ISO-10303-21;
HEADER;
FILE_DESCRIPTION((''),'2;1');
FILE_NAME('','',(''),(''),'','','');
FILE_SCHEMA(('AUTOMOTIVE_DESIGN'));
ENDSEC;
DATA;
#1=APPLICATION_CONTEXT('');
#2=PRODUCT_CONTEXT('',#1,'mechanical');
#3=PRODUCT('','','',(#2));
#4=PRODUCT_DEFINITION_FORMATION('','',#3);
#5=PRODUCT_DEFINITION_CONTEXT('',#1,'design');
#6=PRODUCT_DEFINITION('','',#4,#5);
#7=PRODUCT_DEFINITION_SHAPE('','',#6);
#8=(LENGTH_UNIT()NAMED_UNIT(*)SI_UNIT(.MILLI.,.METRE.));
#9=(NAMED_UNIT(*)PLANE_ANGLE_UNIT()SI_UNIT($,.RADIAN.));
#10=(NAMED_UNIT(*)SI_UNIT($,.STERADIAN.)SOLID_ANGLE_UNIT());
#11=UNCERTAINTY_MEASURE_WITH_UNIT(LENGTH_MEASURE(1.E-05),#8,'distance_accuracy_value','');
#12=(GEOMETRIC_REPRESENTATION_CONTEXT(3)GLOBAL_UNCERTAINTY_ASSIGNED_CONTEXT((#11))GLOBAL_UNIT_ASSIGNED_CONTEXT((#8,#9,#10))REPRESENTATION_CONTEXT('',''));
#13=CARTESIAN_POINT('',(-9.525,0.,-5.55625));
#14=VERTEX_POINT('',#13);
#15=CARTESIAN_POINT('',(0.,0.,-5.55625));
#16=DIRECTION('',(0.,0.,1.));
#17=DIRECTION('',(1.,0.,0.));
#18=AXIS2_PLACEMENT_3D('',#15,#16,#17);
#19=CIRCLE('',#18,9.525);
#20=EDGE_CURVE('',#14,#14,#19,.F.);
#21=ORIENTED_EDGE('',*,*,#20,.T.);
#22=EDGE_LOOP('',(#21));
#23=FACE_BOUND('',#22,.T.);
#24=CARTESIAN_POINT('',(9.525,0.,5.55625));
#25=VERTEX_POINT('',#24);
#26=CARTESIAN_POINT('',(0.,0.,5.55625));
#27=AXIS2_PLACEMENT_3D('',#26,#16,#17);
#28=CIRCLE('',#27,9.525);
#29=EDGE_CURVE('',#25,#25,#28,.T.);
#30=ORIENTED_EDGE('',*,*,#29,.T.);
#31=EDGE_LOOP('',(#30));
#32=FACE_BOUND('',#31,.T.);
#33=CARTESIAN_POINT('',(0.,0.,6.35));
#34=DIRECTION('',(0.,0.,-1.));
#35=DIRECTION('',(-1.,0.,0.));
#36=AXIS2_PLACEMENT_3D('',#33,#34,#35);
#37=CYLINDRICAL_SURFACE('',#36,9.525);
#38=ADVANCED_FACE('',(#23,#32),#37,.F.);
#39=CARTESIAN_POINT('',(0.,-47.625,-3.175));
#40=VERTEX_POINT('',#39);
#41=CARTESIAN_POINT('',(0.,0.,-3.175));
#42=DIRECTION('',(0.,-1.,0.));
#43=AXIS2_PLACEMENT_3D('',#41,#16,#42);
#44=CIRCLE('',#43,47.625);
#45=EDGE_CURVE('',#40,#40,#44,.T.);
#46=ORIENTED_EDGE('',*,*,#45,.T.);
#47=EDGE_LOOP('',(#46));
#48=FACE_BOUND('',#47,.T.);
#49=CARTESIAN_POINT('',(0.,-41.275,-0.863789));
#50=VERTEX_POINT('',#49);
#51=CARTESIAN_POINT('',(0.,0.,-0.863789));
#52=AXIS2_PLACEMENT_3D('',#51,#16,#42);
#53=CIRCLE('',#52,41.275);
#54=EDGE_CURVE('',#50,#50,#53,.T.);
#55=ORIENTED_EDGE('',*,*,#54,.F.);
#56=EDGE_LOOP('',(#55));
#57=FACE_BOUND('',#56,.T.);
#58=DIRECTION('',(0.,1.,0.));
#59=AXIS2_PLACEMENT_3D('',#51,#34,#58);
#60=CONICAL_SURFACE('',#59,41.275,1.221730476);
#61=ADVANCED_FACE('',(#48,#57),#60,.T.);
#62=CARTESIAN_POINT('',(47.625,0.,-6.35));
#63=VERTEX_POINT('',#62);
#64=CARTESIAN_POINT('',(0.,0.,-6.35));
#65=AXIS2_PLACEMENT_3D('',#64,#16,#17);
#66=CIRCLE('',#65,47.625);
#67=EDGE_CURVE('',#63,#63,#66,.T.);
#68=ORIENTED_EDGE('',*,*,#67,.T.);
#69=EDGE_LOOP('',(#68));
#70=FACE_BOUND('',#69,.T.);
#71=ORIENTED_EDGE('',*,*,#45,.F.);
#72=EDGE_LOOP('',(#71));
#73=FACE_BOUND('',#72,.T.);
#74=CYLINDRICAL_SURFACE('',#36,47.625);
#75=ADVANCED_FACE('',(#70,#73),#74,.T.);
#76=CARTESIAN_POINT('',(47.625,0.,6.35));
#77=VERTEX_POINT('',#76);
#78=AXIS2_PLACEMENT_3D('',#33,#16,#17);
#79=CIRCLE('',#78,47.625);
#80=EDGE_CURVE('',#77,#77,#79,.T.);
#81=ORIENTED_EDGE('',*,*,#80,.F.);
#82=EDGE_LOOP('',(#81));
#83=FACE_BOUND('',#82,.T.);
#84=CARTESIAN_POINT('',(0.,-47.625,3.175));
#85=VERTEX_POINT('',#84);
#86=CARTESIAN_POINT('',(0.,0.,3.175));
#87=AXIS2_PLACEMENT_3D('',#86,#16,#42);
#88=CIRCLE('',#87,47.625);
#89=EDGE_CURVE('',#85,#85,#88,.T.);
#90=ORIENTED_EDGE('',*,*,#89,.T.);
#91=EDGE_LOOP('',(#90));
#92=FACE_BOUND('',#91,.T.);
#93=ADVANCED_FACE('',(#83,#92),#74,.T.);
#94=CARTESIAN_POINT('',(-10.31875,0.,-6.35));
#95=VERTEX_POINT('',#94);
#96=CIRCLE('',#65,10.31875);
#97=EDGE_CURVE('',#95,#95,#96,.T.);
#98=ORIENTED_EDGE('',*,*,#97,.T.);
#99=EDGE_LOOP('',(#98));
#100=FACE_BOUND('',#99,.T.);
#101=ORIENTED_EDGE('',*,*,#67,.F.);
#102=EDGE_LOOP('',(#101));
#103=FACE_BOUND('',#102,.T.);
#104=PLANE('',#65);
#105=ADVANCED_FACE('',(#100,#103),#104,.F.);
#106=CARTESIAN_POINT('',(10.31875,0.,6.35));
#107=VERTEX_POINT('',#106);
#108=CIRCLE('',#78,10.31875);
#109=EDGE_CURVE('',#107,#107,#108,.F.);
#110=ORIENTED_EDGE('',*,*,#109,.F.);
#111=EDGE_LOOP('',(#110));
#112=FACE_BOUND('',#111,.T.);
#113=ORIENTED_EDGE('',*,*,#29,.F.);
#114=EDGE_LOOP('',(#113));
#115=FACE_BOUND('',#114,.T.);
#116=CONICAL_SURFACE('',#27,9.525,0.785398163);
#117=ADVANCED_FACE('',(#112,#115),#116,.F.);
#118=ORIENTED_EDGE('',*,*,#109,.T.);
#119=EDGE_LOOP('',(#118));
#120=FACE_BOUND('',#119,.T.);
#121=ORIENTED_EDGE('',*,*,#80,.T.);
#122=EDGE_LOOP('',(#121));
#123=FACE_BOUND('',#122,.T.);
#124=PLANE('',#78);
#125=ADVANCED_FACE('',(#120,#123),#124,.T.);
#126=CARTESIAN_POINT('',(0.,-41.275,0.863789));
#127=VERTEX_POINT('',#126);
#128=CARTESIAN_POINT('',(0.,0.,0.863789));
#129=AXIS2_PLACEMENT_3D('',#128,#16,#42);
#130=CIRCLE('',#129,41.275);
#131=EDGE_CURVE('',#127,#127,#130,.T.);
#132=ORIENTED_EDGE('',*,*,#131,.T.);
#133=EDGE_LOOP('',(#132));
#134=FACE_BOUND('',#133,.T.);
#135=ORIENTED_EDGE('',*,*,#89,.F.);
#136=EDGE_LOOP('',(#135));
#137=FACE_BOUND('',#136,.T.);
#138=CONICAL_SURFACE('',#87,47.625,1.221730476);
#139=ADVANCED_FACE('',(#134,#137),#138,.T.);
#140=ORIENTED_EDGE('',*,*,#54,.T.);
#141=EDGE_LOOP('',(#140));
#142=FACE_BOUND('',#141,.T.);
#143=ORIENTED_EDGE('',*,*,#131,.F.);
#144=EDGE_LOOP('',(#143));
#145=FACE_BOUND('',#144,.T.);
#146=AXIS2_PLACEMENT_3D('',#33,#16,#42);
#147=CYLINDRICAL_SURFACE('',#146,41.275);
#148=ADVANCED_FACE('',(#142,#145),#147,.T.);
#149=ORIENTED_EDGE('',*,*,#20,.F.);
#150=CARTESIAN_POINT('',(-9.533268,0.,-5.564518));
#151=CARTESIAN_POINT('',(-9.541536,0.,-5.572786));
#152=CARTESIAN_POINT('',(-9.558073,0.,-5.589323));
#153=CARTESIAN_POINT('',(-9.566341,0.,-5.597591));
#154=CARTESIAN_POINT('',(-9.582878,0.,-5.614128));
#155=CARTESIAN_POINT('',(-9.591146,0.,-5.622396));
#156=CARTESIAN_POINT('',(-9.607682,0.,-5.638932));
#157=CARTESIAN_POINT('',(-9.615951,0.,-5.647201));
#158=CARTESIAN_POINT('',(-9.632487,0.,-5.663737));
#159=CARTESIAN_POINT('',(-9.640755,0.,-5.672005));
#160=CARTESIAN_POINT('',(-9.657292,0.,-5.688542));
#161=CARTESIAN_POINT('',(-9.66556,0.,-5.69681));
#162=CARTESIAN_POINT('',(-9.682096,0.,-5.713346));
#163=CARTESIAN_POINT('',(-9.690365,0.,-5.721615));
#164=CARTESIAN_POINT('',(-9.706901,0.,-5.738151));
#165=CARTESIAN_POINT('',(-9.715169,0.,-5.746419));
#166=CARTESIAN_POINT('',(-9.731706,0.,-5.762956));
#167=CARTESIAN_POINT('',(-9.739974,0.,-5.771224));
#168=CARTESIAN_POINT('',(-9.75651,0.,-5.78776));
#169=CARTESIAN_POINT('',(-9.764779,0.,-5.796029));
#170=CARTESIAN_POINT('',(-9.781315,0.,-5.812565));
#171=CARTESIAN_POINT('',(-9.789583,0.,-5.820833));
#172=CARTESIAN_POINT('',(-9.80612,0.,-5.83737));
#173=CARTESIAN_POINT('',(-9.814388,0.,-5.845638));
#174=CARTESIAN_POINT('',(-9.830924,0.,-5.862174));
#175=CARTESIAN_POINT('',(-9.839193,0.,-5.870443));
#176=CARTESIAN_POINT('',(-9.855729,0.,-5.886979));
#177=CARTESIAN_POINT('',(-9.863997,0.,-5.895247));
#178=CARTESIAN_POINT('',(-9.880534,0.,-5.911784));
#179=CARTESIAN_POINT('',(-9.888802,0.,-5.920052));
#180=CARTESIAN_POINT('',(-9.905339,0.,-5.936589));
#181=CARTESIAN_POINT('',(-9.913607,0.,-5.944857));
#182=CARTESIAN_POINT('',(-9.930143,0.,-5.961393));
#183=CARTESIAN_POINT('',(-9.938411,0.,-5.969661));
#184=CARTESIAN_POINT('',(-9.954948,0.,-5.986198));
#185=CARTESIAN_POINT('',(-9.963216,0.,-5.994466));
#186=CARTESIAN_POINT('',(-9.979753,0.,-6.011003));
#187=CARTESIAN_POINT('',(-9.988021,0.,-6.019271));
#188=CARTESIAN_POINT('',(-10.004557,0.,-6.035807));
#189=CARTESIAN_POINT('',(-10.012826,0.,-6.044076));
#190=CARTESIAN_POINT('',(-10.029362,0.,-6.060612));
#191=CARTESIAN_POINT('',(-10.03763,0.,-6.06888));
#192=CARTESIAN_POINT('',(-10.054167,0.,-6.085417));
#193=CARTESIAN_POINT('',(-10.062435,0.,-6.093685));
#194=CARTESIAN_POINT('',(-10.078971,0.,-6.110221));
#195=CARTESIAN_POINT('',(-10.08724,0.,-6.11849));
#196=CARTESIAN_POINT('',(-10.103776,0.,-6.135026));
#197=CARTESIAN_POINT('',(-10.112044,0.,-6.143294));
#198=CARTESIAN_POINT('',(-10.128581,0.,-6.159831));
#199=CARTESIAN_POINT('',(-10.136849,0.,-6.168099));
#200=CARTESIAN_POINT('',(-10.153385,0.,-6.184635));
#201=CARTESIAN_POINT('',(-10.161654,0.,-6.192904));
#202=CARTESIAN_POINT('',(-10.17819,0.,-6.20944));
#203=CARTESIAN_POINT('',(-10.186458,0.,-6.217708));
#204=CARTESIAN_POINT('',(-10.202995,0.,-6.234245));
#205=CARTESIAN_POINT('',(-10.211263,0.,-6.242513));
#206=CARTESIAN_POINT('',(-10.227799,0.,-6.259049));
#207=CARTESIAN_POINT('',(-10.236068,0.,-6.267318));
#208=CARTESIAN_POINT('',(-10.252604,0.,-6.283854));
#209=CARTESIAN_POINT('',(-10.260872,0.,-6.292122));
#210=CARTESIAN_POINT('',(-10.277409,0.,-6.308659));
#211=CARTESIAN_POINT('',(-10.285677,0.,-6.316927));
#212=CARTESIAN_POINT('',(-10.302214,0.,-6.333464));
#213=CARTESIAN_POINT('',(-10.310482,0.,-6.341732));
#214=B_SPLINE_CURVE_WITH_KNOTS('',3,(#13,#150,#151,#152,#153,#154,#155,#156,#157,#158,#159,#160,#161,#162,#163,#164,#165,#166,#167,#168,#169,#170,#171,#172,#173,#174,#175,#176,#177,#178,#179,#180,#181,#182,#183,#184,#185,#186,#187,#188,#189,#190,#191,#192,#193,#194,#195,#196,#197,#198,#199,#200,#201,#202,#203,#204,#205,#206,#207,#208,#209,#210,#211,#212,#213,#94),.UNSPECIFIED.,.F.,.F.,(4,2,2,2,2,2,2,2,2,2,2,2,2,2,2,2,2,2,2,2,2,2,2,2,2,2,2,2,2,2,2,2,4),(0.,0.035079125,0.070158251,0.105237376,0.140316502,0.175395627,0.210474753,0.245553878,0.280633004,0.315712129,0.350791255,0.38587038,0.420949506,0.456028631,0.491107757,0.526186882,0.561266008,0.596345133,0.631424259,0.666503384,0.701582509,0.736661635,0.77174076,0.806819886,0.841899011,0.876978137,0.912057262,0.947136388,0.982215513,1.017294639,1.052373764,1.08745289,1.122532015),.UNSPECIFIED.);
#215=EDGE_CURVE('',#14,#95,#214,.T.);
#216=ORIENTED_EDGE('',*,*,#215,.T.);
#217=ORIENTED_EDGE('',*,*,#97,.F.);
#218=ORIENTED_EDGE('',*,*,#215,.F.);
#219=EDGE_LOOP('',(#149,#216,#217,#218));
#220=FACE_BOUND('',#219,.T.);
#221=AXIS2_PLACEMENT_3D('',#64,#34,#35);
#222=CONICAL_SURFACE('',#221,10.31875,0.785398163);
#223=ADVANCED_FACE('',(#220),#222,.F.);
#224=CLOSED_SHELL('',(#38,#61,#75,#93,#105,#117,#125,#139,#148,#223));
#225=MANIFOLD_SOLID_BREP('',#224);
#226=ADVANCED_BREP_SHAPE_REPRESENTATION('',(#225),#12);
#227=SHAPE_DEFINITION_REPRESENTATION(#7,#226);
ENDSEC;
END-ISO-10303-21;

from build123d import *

# Parameters (mm, degrees)
SKETCH1_R      = 47.625
SKETCH1_R_2    = 9.525
EXTRUDE1_DEPTH = 6.35
CHAMFER1_SIZE  = 0.79375


with BuildPart() as part:
    # Sketch1 → Extrude1 (new, symmetric)
    with BuildSketch(Plane.XY):
        Circle(SKETCH1_R)
        Circle(SKETCH1_R_2, mode=Mode.SUBTRACT)
    extrude(amount=EXTRUDE1_DEPTH, both=True)

    # Chamfer1
    chamfer1_edges = [part.edges().sort_by_distance(p)[0] for p in [
        (-9.525, 0, -6.35),
        (-9.525, 0, 6.35),
    ]]
    chamfer(chamfer1_edges, length=CHAMFER1_SIZE)

    # Sketch2 → Cut-Revolve1 (revolve, cut)
    with BuildSketch(Plane(origin=(0, 0, 0), x_dir=(0, 0, -1), z_dir=(1, 0, 0)), mode=Mode.PRIVATE) as cut_revolve1_sk:
        Polygon((-3.175, 47.625), (3.175, 47.625), (0.863789012, 41.275), (-0.863789012, 41.275), align=None)
    revolve(cut_revolve1_sk.sketch.rotate(Axis((0, 0, 6.35), (0, 0, -1)), 180), axis=Axis((0, 0, 6.35), (0, 0, -1)), mode=Mode.SUBTRACT)


solid = part.part
